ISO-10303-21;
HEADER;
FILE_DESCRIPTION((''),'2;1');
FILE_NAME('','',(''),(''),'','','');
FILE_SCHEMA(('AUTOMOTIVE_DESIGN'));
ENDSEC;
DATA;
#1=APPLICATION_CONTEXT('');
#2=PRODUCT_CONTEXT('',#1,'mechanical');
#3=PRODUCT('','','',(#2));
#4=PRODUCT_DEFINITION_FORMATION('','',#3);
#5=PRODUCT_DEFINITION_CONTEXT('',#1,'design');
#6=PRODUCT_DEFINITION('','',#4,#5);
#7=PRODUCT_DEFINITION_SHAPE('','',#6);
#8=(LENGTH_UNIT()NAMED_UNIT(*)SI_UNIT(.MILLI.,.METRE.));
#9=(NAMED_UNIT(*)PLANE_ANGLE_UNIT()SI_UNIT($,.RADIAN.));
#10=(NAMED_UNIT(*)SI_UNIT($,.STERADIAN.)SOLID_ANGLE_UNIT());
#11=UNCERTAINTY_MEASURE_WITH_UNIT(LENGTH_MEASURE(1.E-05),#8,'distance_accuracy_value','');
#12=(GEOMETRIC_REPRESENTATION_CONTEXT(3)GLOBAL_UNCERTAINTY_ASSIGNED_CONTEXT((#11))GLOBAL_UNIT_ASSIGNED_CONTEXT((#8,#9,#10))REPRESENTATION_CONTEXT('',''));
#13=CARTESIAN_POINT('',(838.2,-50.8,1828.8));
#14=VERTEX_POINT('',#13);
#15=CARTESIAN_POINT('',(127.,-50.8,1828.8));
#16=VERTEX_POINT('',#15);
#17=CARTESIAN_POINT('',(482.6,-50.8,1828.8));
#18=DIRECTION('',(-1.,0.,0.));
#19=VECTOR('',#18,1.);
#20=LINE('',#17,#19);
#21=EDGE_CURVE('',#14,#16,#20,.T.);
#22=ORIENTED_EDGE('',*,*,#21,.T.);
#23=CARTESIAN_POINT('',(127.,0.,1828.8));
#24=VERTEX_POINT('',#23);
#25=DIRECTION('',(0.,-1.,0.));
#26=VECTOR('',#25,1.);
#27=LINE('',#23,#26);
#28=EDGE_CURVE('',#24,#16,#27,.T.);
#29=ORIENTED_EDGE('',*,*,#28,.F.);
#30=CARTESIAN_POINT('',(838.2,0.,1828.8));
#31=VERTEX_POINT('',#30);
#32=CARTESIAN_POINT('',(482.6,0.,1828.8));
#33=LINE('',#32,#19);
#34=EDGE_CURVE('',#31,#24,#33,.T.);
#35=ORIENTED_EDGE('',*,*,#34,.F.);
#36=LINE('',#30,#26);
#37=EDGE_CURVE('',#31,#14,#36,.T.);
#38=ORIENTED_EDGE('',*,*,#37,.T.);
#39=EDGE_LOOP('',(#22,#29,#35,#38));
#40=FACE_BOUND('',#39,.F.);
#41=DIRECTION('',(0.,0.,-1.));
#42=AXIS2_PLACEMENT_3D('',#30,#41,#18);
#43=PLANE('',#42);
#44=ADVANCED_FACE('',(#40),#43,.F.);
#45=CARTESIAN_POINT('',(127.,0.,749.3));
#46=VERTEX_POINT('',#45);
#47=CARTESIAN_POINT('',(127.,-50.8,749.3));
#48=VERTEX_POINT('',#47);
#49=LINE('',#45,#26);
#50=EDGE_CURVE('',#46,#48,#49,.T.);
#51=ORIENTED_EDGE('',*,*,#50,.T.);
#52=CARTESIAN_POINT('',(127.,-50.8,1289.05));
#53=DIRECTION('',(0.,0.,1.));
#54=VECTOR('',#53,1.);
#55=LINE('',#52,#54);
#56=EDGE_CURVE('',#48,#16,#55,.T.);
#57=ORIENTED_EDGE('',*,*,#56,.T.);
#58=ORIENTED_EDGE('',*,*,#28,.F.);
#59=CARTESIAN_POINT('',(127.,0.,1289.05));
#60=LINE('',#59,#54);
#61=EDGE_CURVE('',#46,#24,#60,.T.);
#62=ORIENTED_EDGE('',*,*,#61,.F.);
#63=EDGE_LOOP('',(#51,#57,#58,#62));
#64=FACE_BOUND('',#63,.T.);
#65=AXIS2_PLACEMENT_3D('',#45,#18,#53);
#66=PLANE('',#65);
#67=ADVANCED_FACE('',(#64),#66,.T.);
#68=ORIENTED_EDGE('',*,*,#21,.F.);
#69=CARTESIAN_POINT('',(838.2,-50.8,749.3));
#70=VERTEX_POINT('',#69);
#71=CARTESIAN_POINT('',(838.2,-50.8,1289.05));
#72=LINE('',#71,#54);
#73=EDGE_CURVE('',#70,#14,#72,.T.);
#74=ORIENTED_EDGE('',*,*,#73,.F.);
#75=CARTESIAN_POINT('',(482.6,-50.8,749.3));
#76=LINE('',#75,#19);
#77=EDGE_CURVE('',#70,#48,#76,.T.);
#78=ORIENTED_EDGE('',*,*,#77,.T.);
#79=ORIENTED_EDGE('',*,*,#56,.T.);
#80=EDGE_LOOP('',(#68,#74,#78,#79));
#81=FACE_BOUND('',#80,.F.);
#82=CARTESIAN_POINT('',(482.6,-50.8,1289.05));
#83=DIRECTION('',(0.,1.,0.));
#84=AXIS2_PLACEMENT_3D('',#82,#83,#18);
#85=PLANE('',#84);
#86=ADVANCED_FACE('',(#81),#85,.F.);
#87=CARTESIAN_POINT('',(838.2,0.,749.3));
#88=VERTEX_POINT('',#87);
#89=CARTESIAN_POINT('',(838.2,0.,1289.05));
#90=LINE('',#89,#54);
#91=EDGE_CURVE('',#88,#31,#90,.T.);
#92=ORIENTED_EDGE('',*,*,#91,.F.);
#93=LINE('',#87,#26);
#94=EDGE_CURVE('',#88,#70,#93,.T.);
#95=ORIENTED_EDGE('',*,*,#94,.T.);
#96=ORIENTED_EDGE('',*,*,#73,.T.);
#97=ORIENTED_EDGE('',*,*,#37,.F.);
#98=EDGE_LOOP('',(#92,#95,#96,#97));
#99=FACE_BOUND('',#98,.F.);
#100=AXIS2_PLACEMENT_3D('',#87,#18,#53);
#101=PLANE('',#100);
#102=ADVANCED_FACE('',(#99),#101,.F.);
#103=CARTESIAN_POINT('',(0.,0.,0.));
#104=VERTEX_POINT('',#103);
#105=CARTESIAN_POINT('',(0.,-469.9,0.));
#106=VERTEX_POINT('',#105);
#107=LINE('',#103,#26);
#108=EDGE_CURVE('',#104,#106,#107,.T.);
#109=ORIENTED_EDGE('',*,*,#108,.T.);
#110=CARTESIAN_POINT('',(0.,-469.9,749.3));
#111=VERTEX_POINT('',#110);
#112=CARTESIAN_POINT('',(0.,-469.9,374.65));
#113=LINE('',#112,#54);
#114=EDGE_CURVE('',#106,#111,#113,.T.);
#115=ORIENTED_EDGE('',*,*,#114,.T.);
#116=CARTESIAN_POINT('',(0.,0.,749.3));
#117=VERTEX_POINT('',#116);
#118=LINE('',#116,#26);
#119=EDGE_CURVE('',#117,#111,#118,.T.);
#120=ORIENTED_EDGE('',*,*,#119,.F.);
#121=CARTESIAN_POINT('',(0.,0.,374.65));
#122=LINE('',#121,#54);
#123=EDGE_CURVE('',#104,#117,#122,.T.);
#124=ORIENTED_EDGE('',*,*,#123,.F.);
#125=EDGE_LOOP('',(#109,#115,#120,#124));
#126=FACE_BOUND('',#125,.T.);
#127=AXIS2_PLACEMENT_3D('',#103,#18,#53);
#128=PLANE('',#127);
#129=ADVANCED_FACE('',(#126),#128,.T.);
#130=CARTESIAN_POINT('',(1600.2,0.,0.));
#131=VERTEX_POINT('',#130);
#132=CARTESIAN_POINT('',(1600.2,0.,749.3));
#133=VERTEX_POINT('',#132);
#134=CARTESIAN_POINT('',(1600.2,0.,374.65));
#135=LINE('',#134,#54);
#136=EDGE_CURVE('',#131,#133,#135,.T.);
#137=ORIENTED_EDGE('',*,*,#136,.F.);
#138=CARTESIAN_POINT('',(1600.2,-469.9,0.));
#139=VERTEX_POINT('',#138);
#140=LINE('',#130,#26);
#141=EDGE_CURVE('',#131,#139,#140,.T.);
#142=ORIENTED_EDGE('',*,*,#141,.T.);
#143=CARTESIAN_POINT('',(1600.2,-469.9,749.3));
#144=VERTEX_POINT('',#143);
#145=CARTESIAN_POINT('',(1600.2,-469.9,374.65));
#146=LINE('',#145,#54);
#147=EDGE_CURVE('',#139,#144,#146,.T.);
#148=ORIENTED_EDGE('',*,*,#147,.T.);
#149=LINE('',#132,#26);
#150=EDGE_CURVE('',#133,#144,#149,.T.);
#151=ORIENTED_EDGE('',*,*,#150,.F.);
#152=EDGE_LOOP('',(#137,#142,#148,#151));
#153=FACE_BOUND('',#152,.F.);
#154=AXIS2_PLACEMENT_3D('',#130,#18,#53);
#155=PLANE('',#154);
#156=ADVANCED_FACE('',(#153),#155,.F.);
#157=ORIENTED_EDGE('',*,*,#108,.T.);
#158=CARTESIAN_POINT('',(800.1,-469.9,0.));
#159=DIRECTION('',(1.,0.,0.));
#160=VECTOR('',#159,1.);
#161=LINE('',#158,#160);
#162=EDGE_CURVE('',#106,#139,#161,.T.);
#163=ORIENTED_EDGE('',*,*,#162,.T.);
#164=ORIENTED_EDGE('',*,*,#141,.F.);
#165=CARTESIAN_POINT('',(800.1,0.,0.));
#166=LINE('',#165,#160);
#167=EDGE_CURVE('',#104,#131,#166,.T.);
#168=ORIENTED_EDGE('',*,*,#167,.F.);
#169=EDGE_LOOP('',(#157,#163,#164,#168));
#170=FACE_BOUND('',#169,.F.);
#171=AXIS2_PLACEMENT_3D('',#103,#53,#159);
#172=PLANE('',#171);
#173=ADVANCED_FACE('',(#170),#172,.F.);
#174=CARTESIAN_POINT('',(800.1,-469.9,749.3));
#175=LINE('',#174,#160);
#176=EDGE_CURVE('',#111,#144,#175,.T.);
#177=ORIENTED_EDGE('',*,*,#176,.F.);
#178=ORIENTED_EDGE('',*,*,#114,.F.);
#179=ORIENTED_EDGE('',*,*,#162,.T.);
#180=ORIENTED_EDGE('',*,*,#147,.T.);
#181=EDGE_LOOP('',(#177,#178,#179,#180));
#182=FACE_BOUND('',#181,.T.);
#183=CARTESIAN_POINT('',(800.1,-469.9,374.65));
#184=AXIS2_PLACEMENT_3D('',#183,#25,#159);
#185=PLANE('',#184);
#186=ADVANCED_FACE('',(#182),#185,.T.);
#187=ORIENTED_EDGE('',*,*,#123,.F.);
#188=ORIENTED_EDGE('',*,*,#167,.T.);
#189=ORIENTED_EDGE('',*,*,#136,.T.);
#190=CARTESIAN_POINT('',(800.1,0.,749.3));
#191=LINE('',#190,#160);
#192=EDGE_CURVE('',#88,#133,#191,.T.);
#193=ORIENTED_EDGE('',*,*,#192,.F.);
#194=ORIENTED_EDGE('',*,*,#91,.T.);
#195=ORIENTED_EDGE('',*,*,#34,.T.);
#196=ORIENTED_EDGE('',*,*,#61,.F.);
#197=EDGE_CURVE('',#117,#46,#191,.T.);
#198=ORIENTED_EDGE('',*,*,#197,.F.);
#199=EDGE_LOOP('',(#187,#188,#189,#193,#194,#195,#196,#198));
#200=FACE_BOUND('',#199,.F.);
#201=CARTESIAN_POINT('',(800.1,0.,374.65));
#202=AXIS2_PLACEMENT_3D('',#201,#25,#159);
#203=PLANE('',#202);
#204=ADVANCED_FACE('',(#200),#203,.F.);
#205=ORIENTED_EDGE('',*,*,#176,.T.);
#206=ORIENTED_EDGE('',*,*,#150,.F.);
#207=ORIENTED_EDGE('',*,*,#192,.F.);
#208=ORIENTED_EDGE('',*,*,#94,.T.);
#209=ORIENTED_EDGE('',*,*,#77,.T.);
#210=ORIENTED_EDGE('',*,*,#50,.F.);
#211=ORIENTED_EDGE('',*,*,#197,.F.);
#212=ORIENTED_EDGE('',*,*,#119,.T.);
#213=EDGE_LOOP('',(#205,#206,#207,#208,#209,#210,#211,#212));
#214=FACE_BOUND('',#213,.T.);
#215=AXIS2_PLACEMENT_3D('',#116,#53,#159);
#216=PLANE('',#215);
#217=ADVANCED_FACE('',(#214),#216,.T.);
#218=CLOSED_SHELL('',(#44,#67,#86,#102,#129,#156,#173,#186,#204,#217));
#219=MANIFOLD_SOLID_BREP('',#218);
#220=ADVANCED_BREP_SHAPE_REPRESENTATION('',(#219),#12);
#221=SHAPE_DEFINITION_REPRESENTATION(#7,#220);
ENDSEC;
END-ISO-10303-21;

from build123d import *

# Parameters (mm, degrees)
F0_W     = 1600.2
F0_H     = 749.3
F1_DEPTH = 469.9
F2_W     = 711.2
F2_H     = 1079.5
F3_DEPTH = 50.8


with BuildPart() as f1:
    # F0 (on Front) → F1 (new body)
    with BuildSketch(Plane.XZ):
        with Locations((800.1, 374.65)):
            Rectangle(F0_W, F0_H)
    extrude(amount=F1_DEPTH)

    # F2 (on face) → F3 (join)
    with BuildSketch(Plane(origin=(0, 0, 0), x_dir=(-1, 0, 0), z_dir=(0, 1, 0))):
        with Locations((-482.6, 1289.05)):
            Rectangle(F2_W, F2_H)
    extrude(amount=-F3_DEPTH)


solid = f1.part
